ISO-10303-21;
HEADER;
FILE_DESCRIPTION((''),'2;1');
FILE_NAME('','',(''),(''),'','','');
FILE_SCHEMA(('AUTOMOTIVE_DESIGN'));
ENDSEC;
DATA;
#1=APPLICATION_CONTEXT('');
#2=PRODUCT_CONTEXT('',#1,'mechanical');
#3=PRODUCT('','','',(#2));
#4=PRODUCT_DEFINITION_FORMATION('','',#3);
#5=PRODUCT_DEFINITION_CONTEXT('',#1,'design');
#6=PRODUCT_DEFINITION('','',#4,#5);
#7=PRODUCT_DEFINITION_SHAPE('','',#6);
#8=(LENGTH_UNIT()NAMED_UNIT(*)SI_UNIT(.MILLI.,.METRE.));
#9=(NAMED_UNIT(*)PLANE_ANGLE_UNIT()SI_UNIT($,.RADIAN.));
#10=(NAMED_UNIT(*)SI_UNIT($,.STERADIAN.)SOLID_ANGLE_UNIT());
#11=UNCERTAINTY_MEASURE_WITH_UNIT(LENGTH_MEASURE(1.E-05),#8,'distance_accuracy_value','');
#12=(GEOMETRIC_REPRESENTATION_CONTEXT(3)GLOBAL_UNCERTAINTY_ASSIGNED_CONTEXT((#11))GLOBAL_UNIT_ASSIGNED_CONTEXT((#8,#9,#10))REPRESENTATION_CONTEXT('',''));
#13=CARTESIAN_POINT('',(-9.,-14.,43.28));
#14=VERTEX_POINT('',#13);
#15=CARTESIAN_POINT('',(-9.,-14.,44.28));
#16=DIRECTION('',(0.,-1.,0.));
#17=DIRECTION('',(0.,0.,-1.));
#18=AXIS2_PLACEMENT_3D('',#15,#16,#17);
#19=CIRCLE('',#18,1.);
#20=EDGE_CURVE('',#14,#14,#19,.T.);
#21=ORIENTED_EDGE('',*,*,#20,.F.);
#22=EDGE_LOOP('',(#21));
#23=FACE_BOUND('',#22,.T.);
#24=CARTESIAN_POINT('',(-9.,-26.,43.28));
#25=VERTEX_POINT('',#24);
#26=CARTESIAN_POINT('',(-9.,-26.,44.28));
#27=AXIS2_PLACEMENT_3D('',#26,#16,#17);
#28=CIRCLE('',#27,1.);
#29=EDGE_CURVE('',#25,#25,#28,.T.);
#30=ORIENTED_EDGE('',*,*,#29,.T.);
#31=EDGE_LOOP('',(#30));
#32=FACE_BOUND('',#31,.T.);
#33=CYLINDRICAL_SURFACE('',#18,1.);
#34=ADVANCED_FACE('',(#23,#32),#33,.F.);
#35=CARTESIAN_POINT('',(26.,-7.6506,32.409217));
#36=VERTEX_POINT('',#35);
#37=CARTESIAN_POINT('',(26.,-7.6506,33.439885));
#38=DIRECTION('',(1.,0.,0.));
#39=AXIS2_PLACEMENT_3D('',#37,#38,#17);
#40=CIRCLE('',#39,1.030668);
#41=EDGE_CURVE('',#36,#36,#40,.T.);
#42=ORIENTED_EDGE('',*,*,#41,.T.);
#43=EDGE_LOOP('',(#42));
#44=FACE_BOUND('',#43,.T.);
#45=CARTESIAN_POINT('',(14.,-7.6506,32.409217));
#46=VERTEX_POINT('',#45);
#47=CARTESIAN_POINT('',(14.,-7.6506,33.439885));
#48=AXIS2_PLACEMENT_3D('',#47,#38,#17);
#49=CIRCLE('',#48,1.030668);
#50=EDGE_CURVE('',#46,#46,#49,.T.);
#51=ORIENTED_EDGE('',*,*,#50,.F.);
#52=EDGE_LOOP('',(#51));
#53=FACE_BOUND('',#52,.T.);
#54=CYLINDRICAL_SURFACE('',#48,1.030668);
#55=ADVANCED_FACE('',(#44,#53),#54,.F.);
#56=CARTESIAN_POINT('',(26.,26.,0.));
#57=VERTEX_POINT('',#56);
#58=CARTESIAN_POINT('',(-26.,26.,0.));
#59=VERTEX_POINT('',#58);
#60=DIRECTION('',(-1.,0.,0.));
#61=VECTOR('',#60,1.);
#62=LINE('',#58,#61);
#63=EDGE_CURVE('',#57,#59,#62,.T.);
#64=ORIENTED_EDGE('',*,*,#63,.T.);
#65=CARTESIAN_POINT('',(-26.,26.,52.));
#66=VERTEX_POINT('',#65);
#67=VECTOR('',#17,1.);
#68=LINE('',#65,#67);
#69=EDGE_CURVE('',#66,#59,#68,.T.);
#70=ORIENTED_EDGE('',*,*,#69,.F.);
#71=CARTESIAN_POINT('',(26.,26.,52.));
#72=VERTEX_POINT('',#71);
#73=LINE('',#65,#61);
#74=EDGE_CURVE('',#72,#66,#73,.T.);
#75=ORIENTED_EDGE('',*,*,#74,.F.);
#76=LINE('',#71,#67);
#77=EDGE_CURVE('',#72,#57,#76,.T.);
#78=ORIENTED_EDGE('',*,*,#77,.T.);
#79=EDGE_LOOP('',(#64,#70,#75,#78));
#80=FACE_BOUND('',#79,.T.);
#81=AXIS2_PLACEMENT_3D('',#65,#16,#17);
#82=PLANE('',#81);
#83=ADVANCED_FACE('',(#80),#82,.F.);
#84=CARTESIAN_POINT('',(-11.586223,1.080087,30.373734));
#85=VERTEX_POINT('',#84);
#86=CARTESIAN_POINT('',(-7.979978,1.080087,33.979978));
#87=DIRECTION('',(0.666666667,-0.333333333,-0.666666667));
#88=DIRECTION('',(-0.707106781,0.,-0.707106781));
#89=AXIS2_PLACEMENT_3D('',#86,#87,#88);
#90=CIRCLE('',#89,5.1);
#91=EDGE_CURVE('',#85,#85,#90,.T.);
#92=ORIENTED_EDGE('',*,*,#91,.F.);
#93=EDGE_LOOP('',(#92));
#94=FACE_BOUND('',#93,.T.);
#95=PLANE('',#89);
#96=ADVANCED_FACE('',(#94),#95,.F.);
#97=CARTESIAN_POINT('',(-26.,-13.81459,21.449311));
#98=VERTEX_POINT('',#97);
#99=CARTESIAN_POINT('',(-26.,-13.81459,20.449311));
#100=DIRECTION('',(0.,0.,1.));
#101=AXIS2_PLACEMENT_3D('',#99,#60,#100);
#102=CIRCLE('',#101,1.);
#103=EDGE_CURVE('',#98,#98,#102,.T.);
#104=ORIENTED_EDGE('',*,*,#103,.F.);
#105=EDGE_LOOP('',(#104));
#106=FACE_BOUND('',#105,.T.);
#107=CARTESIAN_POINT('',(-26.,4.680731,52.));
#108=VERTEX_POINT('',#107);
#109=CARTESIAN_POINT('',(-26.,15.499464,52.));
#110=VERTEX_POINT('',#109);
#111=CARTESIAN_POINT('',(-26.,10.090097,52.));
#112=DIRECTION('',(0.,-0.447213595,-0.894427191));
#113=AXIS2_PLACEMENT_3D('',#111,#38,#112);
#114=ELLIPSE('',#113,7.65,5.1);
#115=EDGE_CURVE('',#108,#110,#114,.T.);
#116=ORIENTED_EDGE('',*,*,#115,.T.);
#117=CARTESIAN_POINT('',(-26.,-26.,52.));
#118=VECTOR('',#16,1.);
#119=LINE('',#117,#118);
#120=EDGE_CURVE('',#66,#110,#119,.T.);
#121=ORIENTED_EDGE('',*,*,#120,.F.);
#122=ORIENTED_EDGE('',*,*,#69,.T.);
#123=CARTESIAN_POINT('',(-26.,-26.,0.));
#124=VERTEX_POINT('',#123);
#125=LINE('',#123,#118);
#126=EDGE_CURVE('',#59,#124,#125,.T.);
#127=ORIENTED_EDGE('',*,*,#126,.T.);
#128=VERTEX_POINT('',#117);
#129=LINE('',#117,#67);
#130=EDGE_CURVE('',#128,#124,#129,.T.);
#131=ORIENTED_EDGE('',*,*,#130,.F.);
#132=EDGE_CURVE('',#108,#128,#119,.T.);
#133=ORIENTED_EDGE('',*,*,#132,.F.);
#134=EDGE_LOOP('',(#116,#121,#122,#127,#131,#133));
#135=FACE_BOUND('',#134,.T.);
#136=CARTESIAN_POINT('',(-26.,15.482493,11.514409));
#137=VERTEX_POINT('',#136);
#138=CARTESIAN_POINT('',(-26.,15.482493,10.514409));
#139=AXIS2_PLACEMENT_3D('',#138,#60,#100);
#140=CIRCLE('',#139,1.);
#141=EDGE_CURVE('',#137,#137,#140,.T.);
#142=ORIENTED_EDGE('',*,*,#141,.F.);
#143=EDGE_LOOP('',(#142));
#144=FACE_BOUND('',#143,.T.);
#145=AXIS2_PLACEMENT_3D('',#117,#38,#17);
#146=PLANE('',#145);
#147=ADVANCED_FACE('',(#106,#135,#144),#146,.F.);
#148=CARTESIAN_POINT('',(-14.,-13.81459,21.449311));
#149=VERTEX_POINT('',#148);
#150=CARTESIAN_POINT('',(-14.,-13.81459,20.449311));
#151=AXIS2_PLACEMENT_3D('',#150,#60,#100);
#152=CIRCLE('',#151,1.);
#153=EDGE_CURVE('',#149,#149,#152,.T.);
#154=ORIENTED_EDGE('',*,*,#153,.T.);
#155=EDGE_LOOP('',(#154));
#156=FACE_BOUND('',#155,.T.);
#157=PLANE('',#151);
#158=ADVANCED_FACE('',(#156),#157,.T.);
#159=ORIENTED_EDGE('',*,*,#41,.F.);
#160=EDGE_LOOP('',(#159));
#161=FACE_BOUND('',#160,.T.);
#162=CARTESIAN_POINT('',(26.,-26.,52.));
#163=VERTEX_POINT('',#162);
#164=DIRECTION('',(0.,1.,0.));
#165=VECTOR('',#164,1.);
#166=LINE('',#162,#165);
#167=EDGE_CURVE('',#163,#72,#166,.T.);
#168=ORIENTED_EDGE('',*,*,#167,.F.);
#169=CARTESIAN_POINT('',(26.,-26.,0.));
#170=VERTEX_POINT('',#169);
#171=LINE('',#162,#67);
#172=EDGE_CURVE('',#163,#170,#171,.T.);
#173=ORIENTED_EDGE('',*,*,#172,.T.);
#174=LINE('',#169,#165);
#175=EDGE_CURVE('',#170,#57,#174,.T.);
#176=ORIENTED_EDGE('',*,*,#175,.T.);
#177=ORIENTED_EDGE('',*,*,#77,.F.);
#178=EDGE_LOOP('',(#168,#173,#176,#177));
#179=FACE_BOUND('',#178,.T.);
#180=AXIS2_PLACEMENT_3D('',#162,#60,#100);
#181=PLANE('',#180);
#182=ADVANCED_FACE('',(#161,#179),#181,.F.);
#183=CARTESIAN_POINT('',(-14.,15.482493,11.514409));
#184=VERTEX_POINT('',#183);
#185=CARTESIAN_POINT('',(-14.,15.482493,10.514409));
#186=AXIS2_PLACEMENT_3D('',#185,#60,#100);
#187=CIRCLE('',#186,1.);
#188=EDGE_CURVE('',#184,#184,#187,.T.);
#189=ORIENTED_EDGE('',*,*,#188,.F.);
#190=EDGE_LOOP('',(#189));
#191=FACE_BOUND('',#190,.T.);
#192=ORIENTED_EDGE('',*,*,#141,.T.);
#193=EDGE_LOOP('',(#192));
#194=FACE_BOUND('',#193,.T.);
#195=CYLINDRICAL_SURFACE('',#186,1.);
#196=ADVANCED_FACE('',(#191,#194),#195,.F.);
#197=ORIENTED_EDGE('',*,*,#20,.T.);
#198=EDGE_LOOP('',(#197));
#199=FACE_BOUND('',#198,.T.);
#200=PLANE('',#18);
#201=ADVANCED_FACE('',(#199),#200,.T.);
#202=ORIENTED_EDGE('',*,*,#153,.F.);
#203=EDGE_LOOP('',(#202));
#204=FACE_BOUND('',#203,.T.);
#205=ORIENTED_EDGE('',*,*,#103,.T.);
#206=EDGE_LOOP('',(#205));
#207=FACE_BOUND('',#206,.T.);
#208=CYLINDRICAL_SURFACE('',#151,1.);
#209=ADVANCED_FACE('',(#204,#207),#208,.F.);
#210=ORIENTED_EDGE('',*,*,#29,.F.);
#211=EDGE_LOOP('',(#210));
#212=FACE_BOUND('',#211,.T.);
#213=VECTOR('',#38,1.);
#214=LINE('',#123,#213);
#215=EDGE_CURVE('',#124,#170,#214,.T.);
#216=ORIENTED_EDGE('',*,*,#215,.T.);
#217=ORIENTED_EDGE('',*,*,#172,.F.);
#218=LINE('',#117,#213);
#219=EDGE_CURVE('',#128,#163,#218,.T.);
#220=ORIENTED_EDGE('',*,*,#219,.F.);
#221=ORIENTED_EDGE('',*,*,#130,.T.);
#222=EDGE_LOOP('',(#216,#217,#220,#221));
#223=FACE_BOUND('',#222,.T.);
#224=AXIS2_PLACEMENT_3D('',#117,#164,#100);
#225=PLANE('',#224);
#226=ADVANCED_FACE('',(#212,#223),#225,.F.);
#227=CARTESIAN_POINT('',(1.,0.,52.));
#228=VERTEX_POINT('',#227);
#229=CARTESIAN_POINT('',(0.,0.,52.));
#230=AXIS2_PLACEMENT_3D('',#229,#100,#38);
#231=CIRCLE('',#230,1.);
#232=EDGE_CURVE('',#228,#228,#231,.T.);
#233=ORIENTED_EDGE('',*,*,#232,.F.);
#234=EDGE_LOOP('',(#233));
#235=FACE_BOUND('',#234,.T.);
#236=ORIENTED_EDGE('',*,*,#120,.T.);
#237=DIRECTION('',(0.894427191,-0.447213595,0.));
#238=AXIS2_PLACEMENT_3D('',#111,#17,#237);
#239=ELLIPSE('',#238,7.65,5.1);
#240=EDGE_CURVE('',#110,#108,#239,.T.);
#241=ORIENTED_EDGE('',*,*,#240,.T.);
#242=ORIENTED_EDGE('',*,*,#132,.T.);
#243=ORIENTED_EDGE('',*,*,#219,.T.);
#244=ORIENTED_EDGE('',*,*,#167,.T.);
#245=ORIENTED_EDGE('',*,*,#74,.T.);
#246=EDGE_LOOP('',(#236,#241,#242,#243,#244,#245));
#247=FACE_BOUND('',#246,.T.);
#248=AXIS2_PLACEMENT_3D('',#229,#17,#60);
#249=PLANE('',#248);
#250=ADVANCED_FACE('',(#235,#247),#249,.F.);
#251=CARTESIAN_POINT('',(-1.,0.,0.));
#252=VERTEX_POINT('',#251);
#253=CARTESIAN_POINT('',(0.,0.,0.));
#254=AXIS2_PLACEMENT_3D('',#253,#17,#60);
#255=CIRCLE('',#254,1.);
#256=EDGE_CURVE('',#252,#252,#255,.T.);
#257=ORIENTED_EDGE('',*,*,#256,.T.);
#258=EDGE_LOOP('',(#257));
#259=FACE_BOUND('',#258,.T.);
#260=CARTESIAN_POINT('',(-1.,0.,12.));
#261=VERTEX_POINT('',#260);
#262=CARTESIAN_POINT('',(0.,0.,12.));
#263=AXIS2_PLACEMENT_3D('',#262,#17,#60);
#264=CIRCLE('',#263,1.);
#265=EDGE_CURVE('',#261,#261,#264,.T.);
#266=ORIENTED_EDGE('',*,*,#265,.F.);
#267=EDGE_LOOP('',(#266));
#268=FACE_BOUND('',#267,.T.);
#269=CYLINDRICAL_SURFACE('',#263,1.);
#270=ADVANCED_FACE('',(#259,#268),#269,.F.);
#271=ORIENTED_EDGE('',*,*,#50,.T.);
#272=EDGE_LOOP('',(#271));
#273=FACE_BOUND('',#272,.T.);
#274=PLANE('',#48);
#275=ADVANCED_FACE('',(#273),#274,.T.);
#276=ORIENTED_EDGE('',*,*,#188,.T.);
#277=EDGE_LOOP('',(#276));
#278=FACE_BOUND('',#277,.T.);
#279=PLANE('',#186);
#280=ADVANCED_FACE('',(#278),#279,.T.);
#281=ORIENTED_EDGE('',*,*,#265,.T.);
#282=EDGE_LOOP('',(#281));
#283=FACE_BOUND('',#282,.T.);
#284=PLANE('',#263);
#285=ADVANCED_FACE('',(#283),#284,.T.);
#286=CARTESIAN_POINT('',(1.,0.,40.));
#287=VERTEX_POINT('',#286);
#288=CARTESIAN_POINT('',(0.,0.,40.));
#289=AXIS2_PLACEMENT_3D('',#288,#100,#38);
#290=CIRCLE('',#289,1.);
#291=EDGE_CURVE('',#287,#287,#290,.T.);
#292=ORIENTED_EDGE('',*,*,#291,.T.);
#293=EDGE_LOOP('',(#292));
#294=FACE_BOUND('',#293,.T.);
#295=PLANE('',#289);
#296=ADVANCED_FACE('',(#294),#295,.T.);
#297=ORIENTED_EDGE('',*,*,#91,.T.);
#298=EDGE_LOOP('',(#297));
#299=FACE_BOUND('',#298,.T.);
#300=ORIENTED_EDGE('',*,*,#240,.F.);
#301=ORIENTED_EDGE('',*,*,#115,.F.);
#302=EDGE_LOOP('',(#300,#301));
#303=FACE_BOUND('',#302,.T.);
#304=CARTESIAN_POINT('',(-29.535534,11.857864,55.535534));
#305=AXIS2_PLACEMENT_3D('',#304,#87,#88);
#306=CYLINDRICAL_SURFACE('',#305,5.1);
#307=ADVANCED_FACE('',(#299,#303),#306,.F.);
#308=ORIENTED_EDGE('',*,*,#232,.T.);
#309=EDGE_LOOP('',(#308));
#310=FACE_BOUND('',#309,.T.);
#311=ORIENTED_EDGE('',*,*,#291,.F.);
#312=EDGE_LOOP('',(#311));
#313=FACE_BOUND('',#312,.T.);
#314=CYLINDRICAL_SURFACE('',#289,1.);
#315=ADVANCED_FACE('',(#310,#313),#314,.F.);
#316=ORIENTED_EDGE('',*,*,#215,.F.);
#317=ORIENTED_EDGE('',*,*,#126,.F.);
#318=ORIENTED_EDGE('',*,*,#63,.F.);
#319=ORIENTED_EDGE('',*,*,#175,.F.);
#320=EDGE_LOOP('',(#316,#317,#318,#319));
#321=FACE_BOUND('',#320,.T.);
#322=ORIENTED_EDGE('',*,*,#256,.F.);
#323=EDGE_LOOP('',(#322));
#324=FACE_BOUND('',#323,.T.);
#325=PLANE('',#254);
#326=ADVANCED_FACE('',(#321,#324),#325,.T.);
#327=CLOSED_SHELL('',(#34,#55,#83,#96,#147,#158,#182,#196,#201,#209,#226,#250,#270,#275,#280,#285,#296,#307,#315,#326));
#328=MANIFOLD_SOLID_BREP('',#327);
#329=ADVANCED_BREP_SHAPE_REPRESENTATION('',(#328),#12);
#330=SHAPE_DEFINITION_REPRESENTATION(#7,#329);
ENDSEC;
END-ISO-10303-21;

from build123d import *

# Parameters (mm, degrees)
SQUARE_W             = 52
SQUARE_H             = 52
CUBE_EXTRUSION_DEPTH = 52
STICK_CUT_START      = 15
STICK_HOLE_R         = 5.1
STICK_CUT_DEPTH      = 90.048032459
SKETCH12_R           = 1
CUT_EXTRUDE8_DEPTH   = 12
CUT_EXTRUDE9_START   = -12
SKETCH13_R           = 1
CUT_EXTRUDE9_DEPTH   = 12
SKETCH14_R           = 1
CUT_EXTRUDE10_DEPTH  = 12
SKETCH15_R           = 1.030667793
CUT_EXTRUDE11_DEPTH  = 12
SKETCH16_R           = 1
CUT_EXTRUDE12_DEPTH  = 12


with BuildPart() as part:
    # Square → Cube-Extrusion (new body)
    with BuildSketch(Plane.XY):
        Rectangle(SQUARE_W, SQUARE_H)
    extrude(amount=CUBE_EXTRUSION_DEPTH)

    # Stick-Hole → Stick-Cut (cut, through all)
    with BuildSketch(Plane(origin=(-28.888888889, 14.444444444, 28.888888889), x_dir=(-0.7453559924999299, -0.2981423969999719, -0.596284793999944), z_dir=(0.6666666666666667, -0.3333333333333332, -0.6666666666666667)).offset(STICK_CUT_START)):
        with Locations(Location((-14.635839315, -14.230249471, 0), (0, 0, 18.434948823))):
            Circle(STICK_HOLE_R)
    extrude(amount=-STICK_CUT_DEPTH, mode=Mode.SUBTRACT)

    # Sketch12 → Cut-Extrude8 (cut)
    with BuildSketch(Plane.XY.offset(52)):
        Circle(SKETCH12_R)
    extrude(amount=-CUT_EXTRUDE8_DEPTH, mode=Mode.SUBTRACT)

    # Sketch13 → Cut-Extrude9 (cut)
    with BuildSketch(Plane(origin=(0, 0, 0), x_dir=(-1, 0, 0), z_dir=(0, 0, -1)).offset(CUT_EXTRUDE9_START)):
        with Locations(Location((0, 0, 0), (0, 0, 180))):
            Circle(SKETCH13_R)
    extrude(amount=CUT_EXTRUDE9_DEPTH, mode=Mode.SUBTRACT)

    # Sketch14 → Cut-Extrude10 (cut)
    with BuildSketch(Plane.ZY.offset(26)):
        with Locations((10.514408983, 15.48249327)):
            Circle(SKETCH14_R)
        with Locations((20.449310987, -13.814590013)):
            Circle(SKETCH14_R)
    extrude(amount=-CUT_EXTRUDE10_DEPTH, mode=Mode.SUBTRACT)

    # Sketch15 → Cut-Extrude11 (cut)
    with BuildSketch(Plane(origin=(26, 0, 0), x_dir=(0, 0, -1), z_dir=(1, 0, 0))):
        with Locations((-33.439884797, -7.650599719)):
            Circle(SKETCH15_R)
    extrude(amount=-CUT_EXTRUDE11_DEPTH, mode=Mode.SUBTRACT)

    # Sketch16 → Cut-Extrude12 (cut)
    with BuildSketch(Plane.XZ.offset(26)):
        with Locations(Location((-9, 44.28, 0), (0, 0, 270))):
            Circle(SKETCH16_R)
    extrude(amount=-CUT_EXTRUDE12_DEPTH, mode=Mode.SUBTRACT)


solid = part.part
